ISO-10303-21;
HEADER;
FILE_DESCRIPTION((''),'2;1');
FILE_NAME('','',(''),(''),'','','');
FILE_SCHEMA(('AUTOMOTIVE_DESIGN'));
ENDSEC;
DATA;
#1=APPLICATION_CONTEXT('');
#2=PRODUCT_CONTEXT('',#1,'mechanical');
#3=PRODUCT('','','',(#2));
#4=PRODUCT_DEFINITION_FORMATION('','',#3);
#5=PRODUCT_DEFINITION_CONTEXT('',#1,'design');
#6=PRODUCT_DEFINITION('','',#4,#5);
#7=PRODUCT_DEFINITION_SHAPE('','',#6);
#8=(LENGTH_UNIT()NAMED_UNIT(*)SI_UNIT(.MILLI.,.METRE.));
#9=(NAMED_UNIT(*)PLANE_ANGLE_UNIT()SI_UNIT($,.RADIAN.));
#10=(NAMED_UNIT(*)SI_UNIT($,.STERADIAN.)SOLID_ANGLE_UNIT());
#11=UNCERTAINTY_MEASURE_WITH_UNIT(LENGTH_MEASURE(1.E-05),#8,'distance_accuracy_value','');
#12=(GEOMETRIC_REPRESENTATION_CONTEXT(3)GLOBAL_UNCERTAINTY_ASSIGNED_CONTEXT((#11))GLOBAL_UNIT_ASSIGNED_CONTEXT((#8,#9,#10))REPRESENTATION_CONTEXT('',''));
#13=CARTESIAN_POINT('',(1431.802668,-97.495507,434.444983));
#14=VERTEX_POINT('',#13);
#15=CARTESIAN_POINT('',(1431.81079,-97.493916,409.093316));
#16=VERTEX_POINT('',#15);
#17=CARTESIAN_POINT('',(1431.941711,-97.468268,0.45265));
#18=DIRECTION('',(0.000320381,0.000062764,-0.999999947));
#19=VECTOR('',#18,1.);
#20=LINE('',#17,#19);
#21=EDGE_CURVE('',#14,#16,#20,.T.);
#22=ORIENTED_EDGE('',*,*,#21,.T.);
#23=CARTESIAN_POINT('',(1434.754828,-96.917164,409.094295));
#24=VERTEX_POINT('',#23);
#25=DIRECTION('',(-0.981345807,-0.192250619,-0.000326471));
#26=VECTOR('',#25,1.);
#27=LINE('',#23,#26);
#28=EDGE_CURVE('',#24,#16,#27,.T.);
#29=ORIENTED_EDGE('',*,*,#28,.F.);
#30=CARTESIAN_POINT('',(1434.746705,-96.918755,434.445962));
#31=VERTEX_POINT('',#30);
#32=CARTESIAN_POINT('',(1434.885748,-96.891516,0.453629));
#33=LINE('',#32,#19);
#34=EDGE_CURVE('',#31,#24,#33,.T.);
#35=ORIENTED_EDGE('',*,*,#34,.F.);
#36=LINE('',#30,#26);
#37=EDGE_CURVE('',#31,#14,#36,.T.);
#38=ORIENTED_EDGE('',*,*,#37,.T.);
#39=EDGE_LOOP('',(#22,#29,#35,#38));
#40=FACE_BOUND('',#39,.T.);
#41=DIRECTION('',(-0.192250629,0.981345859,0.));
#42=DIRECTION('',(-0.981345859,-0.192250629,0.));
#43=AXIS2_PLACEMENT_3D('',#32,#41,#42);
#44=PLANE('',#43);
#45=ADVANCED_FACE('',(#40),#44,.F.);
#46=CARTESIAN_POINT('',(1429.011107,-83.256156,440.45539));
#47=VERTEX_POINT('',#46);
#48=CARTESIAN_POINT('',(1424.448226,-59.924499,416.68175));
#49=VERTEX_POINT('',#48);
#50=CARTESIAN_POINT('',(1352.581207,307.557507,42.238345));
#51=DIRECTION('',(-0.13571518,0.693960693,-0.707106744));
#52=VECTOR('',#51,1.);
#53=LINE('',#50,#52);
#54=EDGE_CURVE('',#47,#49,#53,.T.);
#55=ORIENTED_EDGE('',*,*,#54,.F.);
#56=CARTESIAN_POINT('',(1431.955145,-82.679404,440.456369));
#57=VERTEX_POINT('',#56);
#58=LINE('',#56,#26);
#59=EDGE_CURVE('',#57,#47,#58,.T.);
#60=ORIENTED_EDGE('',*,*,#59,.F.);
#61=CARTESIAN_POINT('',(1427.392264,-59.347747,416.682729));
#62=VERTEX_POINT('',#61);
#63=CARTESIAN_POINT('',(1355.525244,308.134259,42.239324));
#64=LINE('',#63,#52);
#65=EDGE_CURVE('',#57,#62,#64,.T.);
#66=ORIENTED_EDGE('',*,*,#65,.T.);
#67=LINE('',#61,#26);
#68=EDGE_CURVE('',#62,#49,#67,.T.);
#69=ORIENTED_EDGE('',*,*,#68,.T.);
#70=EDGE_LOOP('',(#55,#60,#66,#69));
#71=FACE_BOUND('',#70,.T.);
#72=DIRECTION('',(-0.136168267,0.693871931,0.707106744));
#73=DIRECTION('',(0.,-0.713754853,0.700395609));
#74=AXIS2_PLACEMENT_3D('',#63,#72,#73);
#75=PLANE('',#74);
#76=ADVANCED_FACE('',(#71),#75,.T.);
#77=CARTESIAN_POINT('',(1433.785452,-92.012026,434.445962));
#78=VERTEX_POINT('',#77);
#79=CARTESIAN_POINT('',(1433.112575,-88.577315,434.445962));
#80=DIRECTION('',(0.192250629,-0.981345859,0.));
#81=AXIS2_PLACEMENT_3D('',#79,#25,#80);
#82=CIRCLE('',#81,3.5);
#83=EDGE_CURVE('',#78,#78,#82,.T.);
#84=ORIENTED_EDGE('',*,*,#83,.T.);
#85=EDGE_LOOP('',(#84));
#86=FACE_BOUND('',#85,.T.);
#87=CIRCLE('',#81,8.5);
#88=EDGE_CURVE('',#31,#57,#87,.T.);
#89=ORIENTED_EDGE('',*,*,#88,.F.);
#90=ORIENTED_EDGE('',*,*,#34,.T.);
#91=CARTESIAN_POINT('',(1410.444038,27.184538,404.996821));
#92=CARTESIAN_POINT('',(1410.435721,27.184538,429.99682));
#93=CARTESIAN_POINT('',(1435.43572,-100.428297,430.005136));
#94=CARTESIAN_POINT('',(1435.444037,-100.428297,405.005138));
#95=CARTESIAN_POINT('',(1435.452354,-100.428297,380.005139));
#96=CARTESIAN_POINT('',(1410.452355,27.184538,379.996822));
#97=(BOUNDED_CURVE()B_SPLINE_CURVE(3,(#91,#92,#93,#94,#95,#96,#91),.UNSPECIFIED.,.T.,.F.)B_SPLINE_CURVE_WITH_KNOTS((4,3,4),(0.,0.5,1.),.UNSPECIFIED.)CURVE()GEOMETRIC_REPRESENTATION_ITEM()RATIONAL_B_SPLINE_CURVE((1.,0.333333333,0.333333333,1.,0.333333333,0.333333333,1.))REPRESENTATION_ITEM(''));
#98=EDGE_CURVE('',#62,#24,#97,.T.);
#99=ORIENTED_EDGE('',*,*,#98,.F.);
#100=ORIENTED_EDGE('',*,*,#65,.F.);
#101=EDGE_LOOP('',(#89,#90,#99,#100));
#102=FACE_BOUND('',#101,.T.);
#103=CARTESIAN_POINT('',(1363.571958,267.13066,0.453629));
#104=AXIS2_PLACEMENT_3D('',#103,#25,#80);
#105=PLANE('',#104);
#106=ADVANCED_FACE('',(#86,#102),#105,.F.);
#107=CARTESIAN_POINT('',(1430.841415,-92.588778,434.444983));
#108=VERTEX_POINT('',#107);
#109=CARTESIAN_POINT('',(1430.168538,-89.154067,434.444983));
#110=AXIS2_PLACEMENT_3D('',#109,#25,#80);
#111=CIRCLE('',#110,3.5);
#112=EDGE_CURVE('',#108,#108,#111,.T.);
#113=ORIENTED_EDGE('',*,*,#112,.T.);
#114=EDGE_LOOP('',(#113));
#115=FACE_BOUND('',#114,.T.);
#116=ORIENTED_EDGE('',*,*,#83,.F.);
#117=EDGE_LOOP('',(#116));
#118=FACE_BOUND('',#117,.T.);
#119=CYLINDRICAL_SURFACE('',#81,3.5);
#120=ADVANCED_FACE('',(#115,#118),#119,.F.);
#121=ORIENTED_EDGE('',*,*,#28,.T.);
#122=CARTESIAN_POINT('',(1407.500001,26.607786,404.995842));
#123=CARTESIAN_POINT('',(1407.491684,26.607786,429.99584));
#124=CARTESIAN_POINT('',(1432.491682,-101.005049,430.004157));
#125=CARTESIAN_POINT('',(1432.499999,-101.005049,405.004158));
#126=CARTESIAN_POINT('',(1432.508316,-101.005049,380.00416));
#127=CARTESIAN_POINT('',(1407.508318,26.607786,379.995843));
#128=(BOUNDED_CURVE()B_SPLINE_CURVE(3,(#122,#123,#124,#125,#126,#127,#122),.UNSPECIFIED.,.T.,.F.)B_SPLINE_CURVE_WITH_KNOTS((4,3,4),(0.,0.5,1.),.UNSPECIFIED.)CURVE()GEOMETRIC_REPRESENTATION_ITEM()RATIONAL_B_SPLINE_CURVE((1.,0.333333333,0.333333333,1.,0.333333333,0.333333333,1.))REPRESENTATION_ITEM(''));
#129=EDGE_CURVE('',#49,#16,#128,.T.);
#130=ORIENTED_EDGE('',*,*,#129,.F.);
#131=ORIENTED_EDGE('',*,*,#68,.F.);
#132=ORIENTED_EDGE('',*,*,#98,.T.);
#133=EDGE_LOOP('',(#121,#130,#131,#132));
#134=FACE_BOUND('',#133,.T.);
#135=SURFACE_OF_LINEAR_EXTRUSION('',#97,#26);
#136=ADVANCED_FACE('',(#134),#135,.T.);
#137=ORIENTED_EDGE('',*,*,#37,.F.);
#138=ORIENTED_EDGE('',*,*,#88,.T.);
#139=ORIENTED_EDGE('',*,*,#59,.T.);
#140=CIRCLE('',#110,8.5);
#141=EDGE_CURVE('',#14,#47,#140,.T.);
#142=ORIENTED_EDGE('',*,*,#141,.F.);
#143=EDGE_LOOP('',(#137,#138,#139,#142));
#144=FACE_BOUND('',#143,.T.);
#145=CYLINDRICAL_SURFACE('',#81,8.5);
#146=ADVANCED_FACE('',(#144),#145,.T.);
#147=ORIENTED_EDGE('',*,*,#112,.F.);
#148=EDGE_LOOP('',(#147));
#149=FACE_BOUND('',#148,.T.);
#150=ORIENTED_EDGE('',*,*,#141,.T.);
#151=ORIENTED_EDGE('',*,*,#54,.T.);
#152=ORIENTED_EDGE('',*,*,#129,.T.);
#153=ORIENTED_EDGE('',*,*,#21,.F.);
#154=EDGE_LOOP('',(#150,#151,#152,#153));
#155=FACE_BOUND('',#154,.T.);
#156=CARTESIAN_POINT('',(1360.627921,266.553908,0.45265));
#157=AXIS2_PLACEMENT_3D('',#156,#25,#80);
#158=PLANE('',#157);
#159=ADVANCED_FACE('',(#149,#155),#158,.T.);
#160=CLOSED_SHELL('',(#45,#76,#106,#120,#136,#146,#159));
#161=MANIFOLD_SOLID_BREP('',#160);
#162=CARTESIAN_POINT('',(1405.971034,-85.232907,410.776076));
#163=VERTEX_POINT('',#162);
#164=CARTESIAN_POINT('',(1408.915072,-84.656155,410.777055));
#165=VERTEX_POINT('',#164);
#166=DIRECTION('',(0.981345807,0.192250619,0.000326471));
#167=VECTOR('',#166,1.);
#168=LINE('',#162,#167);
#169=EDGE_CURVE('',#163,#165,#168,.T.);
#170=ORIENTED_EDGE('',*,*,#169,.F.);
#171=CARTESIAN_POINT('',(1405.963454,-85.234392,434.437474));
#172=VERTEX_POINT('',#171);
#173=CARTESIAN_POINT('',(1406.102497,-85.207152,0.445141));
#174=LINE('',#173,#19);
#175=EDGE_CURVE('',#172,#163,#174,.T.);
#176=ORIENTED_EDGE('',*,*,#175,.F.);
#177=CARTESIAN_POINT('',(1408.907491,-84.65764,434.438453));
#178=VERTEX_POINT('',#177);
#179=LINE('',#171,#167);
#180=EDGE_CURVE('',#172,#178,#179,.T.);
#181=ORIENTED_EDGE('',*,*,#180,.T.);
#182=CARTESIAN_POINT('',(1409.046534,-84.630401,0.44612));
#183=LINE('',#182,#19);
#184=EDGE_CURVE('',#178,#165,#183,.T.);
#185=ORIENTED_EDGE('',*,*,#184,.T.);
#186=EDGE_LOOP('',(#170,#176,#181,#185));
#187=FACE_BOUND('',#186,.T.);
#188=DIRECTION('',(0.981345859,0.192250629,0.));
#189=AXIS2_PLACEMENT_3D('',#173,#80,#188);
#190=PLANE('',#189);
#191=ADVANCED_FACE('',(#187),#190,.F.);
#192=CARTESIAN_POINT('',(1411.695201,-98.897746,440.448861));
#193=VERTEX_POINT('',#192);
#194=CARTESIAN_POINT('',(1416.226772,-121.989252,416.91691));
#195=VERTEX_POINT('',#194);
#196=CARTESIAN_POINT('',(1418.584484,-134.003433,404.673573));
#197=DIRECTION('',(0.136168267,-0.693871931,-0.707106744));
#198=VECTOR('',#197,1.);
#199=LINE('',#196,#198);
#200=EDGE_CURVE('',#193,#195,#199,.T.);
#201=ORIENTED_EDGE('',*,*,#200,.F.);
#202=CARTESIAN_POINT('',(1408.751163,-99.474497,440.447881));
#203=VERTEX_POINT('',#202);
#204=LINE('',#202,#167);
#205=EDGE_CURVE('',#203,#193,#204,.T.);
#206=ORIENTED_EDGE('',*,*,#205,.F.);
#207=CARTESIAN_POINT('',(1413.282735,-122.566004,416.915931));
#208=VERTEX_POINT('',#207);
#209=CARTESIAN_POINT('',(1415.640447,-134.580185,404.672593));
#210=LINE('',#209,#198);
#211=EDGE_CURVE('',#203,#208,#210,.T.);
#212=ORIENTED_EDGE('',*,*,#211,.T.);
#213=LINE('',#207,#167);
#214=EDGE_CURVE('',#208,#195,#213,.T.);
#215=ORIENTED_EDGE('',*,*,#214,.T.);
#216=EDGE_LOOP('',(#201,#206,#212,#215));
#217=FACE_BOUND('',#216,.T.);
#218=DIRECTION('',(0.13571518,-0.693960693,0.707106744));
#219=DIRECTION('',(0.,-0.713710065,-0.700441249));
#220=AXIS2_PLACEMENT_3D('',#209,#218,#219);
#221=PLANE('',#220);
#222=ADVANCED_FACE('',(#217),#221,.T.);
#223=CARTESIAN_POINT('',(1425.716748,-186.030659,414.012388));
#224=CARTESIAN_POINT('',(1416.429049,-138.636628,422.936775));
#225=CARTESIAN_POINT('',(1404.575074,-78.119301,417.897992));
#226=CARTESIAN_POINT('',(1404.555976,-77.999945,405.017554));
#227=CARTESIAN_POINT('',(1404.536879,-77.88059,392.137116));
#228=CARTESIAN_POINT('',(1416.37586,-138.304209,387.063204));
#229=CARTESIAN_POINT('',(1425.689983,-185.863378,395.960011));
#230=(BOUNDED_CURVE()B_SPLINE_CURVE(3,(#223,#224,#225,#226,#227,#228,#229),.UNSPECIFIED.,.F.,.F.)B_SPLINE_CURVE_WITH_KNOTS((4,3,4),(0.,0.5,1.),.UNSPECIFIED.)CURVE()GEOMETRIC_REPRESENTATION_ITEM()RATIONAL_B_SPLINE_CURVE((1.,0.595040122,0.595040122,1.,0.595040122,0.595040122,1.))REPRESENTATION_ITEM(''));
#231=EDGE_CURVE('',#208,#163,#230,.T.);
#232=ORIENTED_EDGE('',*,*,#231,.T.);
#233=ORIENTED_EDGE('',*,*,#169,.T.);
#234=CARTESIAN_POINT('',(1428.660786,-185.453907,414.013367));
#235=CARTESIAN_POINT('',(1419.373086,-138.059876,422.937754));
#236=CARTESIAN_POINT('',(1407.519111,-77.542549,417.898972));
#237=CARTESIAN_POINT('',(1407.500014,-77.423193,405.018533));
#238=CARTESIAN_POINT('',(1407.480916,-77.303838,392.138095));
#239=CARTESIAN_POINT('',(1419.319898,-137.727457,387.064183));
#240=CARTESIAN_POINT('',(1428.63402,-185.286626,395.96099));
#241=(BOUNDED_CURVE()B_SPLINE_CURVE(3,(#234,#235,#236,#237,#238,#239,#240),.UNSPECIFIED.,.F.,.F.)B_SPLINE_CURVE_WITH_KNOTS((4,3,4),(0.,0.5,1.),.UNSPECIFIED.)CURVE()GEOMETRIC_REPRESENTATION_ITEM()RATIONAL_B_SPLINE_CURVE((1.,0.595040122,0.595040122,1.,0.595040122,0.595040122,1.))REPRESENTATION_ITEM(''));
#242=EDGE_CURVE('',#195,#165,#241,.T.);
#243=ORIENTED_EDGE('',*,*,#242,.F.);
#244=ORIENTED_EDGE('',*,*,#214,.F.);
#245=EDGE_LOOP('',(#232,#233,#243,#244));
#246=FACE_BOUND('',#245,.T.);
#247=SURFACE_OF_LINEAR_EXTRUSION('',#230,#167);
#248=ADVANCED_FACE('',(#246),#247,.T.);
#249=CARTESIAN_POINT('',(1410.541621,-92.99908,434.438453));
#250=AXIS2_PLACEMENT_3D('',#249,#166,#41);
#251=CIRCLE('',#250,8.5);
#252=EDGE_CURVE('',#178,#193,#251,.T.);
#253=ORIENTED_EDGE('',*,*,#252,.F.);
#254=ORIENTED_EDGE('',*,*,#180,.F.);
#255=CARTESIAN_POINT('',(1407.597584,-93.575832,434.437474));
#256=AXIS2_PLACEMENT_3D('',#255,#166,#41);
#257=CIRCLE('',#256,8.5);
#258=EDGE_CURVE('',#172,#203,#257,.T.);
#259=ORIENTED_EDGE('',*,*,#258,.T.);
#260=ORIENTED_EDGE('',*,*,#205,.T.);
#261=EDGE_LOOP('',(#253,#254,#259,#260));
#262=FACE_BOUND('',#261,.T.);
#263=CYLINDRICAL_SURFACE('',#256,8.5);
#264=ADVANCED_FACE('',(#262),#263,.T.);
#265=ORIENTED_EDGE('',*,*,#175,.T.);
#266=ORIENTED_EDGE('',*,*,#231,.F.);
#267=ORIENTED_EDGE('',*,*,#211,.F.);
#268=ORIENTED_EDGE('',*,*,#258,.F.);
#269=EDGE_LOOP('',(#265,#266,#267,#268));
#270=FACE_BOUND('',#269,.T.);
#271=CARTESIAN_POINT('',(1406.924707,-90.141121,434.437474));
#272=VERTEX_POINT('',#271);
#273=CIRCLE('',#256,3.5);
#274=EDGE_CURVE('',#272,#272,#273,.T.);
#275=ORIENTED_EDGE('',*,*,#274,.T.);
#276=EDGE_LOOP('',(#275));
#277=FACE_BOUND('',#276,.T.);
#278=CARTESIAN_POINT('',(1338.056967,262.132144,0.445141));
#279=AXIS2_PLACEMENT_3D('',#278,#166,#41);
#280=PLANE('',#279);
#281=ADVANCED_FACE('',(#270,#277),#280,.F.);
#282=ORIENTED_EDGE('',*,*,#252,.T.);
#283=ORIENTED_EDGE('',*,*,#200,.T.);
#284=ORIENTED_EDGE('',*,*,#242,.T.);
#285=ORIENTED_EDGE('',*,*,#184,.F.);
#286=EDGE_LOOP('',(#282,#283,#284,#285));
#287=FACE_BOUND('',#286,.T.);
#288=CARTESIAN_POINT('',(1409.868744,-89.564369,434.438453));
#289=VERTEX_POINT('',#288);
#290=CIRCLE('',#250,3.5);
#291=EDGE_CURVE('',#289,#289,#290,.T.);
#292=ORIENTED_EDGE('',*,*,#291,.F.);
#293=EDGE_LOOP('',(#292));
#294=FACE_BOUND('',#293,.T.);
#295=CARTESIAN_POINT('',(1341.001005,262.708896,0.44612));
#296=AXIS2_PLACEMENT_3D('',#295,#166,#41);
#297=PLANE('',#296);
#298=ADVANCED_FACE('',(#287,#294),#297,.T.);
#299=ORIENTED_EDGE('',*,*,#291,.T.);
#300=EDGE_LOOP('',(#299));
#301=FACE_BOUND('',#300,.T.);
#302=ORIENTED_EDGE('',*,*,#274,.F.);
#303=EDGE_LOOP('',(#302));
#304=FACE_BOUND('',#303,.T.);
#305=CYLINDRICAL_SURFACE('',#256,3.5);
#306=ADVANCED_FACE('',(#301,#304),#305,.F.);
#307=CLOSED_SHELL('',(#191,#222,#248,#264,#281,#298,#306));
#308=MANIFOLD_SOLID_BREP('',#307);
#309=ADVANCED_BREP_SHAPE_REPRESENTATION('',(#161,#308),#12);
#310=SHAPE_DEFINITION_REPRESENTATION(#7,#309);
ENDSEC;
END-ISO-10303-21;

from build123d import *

# Parameters (mm, degrees)
SZKIC1_R                    = 3.5
DODANIE_WYCI_GNI_CIE1_DEPTH = 3
SZKIC2_R                    = 3.5
DODANIE_WYCI_GNI_CIE2_DEPTH = 3


with BuildPart() as part:
    # Szkic1 → Dodanie-wyciągnięcie1 (new body)
    with BuildSketch(Plane(origin=(1360.627920947, 266.553908411, 0.452649646), x_dir=(-0.000320381, -6.2764e-05, 0.999999947), z_dir=(-0.981345807, -0.192250619, -0.000326471))):
        with BuildLine():
            Line((408.64068808, -370.941776368), (433.992356241, -370.941776368))
            ThreePointArc((433.992356241, -370.941776368), (441.845332267, -365.694585543), (440.002763881, -356.431368728))
            Line((440.002763881, -356.431368728), (416.229122465, -332.657727312))
            add(Edge.make_bspline(
                [(416.229122465, -332.657727312), (414.804252129, -352.119194686), (411.949104367, -364.983138219), (408.64068808, -370.941776368)],
                knots=[0.296030426, 0.296030426, 0.296030426, 0.296030426, 0.428007656, 0.428007656, 0.428007656, 0.428007656], degree=3, weights=[0.516950401, 0.549350231, 0.628198033, 0.753493806]))
        make_face()
        with Locations((433.992356241, -362.441776368)):
            Circle(SZKIC1_R, mode=Mode.SUBTRACT)
    extrude(amount=-DODANIE_WYCI_GNI_CIE1_DEPTH)


with BuildPart() as body_2:
    # Szkic2 → Dodanie-wyciągnięcie2 (new body)
    with BuildSketch(Plane(origin=(1341.001004808, 262.708896026, 0.446120222), x_dir=(0.000320381, 6.2764e-05, -0.999999947), z_dir=(0.981345807, 0.192250619, 0.000326471))):
        with BuildLine():
            ThreePointArc((-433.992356241, -353.941776368), (-441.845332267, -359.188967193), (-440.002763881, -368.452184008))
            Line((-440.002763881, -368.452184008), (-416.470812313, -391.984135576))
            add(Edge.make_bspline(
                [(-416.470812313, -391.984135576), (-415.438117523, -375.017376477), (-413.241019551, -361.835375789), (-410.330956854, -353.941776368)],
                knots=[0.231951537, 0.231951537, 0.231951537, 0.231951537, 0.385696539, 0.385696539, 0.385696539, 0.385696539], degree=3, weights=[0.697863065, 0.688873406, 0.718172745, 0.785761082]))
            Line((-410.330956854, -353.941776368), (-433.992356241, -353.941776368))
        make_face()
        with Locations((-433.992356241, -362.441776368)):
            Circle(SZKIC2_R, mode=Mode.SUBTRACT)
    extrude(amount=-DODANIE_WYCI_GNI_CIE2_DEPTH)


solid = Compound([part.part, body_2.part])
